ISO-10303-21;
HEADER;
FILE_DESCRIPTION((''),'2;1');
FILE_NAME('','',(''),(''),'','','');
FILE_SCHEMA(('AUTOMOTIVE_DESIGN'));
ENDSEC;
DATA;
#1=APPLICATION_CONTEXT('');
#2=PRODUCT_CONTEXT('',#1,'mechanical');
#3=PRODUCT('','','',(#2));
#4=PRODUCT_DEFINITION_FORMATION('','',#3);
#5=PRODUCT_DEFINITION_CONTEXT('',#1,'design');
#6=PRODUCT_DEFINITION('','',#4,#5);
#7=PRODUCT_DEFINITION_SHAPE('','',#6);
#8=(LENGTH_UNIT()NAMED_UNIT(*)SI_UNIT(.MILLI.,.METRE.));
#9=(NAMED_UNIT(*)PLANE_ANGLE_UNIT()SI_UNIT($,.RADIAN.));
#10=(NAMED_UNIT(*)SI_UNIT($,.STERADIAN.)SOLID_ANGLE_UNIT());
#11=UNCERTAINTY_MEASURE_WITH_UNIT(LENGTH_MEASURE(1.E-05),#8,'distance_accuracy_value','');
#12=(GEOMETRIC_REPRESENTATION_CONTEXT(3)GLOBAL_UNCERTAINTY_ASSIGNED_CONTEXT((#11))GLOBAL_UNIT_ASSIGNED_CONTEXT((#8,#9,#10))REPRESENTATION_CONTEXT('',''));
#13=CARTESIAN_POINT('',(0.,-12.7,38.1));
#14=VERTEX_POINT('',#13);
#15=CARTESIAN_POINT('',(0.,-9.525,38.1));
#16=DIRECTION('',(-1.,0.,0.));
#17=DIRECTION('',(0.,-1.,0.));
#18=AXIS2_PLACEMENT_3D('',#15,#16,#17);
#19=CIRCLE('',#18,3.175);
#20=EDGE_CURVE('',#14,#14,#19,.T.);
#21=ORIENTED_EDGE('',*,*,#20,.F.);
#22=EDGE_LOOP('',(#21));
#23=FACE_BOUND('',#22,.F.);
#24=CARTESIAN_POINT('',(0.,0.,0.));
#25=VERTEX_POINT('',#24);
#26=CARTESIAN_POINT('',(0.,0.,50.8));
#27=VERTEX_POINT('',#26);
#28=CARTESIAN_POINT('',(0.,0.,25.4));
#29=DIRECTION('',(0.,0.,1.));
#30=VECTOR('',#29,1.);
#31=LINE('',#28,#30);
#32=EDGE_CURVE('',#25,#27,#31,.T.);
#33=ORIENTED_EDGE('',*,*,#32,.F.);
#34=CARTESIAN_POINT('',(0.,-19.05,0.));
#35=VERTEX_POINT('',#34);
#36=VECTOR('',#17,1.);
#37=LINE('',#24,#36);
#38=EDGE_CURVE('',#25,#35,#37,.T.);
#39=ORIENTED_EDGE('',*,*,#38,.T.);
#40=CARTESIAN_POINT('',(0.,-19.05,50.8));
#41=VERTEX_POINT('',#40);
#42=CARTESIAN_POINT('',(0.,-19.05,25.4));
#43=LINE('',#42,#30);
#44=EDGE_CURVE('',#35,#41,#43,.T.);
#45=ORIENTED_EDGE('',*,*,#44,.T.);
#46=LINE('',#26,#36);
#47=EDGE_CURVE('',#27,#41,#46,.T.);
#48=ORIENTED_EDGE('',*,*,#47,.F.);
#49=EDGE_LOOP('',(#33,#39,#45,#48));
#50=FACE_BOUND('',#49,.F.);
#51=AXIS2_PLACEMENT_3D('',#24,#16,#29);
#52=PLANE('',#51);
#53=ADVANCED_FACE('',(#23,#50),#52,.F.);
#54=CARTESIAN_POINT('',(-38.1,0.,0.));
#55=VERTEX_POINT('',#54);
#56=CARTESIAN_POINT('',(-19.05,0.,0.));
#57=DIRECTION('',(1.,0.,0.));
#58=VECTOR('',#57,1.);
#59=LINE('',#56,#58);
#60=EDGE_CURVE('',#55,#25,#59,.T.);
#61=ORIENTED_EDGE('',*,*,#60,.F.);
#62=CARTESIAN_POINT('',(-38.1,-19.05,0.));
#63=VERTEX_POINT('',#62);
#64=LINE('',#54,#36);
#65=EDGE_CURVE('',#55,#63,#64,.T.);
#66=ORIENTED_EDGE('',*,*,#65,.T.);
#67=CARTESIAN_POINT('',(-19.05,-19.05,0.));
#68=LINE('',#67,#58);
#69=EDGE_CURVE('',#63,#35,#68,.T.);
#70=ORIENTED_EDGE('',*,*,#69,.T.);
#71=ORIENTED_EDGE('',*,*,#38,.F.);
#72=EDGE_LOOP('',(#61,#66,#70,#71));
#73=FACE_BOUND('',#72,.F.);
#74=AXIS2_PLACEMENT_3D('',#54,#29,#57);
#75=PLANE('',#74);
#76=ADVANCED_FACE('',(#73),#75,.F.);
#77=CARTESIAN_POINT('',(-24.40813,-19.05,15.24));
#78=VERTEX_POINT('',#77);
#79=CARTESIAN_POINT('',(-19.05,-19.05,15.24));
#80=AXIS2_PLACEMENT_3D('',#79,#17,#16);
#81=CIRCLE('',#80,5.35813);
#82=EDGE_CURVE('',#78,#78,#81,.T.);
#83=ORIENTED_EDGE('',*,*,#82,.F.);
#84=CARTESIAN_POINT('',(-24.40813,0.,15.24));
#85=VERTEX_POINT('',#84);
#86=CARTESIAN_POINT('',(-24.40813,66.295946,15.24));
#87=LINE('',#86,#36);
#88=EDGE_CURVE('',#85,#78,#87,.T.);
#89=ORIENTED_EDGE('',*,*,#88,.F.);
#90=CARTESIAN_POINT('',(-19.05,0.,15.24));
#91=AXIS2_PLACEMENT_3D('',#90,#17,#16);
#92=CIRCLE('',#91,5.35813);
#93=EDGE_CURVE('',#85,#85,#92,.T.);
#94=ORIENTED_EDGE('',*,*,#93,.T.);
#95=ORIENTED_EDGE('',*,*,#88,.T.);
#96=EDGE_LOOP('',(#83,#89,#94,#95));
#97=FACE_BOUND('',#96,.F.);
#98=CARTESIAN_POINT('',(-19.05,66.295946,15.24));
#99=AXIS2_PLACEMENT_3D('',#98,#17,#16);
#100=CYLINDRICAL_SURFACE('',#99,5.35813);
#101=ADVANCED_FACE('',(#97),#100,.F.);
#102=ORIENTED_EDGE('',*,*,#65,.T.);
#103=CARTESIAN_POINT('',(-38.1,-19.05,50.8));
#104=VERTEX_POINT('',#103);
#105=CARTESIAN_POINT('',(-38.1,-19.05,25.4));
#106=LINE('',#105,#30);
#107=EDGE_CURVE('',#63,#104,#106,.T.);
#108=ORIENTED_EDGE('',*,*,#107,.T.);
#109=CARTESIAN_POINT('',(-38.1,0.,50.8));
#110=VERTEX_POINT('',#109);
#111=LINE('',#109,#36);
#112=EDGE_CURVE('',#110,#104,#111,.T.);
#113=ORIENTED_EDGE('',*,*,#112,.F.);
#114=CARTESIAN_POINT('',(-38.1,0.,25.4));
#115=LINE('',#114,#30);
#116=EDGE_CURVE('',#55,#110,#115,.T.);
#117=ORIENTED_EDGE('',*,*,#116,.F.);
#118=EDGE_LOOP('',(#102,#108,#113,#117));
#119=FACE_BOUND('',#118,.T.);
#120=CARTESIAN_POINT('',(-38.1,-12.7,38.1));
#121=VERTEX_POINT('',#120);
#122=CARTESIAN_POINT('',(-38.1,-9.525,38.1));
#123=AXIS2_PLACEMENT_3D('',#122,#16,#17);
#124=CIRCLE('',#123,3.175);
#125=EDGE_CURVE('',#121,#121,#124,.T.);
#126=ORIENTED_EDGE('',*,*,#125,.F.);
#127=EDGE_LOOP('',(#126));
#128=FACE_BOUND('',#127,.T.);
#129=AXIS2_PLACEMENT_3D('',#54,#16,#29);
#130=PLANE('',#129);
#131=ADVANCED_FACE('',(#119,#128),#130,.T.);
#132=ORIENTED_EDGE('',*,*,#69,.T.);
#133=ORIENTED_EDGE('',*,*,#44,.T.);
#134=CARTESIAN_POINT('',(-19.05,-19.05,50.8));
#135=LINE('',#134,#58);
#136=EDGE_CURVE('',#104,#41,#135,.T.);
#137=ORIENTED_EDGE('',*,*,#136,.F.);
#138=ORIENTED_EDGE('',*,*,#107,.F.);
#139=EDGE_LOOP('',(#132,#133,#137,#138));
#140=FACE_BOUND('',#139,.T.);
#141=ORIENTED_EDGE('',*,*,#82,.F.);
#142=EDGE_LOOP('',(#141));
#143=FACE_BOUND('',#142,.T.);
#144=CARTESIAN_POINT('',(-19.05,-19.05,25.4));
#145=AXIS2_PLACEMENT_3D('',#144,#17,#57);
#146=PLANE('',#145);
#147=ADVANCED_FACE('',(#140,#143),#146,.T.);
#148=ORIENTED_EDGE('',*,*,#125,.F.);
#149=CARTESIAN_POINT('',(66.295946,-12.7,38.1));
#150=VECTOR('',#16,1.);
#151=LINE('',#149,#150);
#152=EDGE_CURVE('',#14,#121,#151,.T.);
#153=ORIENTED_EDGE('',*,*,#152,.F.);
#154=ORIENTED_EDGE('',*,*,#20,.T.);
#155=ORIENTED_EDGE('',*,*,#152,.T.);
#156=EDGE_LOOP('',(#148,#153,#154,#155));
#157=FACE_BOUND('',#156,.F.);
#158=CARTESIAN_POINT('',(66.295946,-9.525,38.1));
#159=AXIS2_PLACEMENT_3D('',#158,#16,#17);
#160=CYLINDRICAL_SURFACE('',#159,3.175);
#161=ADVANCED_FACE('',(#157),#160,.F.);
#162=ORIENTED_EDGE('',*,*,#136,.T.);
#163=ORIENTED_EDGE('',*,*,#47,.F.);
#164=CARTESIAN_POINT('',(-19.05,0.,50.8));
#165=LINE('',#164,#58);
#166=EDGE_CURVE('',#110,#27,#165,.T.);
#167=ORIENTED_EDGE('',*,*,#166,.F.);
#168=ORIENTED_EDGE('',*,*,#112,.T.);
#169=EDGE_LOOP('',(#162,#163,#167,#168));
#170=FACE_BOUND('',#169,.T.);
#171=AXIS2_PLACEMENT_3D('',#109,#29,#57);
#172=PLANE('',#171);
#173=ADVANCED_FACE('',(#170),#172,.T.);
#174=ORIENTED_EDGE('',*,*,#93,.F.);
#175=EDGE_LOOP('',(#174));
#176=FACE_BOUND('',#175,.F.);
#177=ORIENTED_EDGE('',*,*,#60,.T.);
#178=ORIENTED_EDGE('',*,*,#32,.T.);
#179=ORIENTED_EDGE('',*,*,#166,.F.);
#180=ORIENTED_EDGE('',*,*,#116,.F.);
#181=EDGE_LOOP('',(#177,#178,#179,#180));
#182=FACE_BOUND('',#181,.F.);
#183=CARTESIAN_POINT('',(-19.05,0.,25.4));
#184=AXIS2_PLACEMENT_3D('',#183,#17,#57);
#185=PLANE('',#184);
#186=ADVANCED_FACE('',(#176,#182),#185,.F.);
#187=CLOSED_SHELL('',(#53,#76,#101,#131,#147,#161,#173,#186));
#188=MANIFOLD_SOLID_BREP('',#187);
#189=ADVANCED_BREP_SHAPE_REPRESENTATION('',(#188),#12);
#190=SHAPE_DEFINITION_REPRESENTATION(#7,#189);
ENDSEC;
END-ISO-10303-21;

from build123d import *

# Parameters (mm, degrees)
F0_W     = 38.1
F0_H     = 50.8
F1_DEPTH = 19.05
F3_D     = 6.35
F4_D     = 10.71626


with BuildPart() as f1:
    # F0 (on Front) → F1 (new body)
    with BuildSketch(Plane.XZ):
        with Locations((-19.05, 25.4)):
            Rectangle(F0_W, F0_H)
    extrude(amount=F1_DEPTH)

    # F3 (through all)
    with Locations(Plane.YZ):
        with Locations((-9.525, 38.1)):
            Hole(F3_D / 2)

    # F4 (through all)
    with Locations(Plane(origin=(0, 0, 0), x_dir=(1, 0, 0), z_dir=(0, 1, 0))):
        with Locations((-19.05, -15.24)):
            Hole(F4_D / 2)


solid = f1.part
